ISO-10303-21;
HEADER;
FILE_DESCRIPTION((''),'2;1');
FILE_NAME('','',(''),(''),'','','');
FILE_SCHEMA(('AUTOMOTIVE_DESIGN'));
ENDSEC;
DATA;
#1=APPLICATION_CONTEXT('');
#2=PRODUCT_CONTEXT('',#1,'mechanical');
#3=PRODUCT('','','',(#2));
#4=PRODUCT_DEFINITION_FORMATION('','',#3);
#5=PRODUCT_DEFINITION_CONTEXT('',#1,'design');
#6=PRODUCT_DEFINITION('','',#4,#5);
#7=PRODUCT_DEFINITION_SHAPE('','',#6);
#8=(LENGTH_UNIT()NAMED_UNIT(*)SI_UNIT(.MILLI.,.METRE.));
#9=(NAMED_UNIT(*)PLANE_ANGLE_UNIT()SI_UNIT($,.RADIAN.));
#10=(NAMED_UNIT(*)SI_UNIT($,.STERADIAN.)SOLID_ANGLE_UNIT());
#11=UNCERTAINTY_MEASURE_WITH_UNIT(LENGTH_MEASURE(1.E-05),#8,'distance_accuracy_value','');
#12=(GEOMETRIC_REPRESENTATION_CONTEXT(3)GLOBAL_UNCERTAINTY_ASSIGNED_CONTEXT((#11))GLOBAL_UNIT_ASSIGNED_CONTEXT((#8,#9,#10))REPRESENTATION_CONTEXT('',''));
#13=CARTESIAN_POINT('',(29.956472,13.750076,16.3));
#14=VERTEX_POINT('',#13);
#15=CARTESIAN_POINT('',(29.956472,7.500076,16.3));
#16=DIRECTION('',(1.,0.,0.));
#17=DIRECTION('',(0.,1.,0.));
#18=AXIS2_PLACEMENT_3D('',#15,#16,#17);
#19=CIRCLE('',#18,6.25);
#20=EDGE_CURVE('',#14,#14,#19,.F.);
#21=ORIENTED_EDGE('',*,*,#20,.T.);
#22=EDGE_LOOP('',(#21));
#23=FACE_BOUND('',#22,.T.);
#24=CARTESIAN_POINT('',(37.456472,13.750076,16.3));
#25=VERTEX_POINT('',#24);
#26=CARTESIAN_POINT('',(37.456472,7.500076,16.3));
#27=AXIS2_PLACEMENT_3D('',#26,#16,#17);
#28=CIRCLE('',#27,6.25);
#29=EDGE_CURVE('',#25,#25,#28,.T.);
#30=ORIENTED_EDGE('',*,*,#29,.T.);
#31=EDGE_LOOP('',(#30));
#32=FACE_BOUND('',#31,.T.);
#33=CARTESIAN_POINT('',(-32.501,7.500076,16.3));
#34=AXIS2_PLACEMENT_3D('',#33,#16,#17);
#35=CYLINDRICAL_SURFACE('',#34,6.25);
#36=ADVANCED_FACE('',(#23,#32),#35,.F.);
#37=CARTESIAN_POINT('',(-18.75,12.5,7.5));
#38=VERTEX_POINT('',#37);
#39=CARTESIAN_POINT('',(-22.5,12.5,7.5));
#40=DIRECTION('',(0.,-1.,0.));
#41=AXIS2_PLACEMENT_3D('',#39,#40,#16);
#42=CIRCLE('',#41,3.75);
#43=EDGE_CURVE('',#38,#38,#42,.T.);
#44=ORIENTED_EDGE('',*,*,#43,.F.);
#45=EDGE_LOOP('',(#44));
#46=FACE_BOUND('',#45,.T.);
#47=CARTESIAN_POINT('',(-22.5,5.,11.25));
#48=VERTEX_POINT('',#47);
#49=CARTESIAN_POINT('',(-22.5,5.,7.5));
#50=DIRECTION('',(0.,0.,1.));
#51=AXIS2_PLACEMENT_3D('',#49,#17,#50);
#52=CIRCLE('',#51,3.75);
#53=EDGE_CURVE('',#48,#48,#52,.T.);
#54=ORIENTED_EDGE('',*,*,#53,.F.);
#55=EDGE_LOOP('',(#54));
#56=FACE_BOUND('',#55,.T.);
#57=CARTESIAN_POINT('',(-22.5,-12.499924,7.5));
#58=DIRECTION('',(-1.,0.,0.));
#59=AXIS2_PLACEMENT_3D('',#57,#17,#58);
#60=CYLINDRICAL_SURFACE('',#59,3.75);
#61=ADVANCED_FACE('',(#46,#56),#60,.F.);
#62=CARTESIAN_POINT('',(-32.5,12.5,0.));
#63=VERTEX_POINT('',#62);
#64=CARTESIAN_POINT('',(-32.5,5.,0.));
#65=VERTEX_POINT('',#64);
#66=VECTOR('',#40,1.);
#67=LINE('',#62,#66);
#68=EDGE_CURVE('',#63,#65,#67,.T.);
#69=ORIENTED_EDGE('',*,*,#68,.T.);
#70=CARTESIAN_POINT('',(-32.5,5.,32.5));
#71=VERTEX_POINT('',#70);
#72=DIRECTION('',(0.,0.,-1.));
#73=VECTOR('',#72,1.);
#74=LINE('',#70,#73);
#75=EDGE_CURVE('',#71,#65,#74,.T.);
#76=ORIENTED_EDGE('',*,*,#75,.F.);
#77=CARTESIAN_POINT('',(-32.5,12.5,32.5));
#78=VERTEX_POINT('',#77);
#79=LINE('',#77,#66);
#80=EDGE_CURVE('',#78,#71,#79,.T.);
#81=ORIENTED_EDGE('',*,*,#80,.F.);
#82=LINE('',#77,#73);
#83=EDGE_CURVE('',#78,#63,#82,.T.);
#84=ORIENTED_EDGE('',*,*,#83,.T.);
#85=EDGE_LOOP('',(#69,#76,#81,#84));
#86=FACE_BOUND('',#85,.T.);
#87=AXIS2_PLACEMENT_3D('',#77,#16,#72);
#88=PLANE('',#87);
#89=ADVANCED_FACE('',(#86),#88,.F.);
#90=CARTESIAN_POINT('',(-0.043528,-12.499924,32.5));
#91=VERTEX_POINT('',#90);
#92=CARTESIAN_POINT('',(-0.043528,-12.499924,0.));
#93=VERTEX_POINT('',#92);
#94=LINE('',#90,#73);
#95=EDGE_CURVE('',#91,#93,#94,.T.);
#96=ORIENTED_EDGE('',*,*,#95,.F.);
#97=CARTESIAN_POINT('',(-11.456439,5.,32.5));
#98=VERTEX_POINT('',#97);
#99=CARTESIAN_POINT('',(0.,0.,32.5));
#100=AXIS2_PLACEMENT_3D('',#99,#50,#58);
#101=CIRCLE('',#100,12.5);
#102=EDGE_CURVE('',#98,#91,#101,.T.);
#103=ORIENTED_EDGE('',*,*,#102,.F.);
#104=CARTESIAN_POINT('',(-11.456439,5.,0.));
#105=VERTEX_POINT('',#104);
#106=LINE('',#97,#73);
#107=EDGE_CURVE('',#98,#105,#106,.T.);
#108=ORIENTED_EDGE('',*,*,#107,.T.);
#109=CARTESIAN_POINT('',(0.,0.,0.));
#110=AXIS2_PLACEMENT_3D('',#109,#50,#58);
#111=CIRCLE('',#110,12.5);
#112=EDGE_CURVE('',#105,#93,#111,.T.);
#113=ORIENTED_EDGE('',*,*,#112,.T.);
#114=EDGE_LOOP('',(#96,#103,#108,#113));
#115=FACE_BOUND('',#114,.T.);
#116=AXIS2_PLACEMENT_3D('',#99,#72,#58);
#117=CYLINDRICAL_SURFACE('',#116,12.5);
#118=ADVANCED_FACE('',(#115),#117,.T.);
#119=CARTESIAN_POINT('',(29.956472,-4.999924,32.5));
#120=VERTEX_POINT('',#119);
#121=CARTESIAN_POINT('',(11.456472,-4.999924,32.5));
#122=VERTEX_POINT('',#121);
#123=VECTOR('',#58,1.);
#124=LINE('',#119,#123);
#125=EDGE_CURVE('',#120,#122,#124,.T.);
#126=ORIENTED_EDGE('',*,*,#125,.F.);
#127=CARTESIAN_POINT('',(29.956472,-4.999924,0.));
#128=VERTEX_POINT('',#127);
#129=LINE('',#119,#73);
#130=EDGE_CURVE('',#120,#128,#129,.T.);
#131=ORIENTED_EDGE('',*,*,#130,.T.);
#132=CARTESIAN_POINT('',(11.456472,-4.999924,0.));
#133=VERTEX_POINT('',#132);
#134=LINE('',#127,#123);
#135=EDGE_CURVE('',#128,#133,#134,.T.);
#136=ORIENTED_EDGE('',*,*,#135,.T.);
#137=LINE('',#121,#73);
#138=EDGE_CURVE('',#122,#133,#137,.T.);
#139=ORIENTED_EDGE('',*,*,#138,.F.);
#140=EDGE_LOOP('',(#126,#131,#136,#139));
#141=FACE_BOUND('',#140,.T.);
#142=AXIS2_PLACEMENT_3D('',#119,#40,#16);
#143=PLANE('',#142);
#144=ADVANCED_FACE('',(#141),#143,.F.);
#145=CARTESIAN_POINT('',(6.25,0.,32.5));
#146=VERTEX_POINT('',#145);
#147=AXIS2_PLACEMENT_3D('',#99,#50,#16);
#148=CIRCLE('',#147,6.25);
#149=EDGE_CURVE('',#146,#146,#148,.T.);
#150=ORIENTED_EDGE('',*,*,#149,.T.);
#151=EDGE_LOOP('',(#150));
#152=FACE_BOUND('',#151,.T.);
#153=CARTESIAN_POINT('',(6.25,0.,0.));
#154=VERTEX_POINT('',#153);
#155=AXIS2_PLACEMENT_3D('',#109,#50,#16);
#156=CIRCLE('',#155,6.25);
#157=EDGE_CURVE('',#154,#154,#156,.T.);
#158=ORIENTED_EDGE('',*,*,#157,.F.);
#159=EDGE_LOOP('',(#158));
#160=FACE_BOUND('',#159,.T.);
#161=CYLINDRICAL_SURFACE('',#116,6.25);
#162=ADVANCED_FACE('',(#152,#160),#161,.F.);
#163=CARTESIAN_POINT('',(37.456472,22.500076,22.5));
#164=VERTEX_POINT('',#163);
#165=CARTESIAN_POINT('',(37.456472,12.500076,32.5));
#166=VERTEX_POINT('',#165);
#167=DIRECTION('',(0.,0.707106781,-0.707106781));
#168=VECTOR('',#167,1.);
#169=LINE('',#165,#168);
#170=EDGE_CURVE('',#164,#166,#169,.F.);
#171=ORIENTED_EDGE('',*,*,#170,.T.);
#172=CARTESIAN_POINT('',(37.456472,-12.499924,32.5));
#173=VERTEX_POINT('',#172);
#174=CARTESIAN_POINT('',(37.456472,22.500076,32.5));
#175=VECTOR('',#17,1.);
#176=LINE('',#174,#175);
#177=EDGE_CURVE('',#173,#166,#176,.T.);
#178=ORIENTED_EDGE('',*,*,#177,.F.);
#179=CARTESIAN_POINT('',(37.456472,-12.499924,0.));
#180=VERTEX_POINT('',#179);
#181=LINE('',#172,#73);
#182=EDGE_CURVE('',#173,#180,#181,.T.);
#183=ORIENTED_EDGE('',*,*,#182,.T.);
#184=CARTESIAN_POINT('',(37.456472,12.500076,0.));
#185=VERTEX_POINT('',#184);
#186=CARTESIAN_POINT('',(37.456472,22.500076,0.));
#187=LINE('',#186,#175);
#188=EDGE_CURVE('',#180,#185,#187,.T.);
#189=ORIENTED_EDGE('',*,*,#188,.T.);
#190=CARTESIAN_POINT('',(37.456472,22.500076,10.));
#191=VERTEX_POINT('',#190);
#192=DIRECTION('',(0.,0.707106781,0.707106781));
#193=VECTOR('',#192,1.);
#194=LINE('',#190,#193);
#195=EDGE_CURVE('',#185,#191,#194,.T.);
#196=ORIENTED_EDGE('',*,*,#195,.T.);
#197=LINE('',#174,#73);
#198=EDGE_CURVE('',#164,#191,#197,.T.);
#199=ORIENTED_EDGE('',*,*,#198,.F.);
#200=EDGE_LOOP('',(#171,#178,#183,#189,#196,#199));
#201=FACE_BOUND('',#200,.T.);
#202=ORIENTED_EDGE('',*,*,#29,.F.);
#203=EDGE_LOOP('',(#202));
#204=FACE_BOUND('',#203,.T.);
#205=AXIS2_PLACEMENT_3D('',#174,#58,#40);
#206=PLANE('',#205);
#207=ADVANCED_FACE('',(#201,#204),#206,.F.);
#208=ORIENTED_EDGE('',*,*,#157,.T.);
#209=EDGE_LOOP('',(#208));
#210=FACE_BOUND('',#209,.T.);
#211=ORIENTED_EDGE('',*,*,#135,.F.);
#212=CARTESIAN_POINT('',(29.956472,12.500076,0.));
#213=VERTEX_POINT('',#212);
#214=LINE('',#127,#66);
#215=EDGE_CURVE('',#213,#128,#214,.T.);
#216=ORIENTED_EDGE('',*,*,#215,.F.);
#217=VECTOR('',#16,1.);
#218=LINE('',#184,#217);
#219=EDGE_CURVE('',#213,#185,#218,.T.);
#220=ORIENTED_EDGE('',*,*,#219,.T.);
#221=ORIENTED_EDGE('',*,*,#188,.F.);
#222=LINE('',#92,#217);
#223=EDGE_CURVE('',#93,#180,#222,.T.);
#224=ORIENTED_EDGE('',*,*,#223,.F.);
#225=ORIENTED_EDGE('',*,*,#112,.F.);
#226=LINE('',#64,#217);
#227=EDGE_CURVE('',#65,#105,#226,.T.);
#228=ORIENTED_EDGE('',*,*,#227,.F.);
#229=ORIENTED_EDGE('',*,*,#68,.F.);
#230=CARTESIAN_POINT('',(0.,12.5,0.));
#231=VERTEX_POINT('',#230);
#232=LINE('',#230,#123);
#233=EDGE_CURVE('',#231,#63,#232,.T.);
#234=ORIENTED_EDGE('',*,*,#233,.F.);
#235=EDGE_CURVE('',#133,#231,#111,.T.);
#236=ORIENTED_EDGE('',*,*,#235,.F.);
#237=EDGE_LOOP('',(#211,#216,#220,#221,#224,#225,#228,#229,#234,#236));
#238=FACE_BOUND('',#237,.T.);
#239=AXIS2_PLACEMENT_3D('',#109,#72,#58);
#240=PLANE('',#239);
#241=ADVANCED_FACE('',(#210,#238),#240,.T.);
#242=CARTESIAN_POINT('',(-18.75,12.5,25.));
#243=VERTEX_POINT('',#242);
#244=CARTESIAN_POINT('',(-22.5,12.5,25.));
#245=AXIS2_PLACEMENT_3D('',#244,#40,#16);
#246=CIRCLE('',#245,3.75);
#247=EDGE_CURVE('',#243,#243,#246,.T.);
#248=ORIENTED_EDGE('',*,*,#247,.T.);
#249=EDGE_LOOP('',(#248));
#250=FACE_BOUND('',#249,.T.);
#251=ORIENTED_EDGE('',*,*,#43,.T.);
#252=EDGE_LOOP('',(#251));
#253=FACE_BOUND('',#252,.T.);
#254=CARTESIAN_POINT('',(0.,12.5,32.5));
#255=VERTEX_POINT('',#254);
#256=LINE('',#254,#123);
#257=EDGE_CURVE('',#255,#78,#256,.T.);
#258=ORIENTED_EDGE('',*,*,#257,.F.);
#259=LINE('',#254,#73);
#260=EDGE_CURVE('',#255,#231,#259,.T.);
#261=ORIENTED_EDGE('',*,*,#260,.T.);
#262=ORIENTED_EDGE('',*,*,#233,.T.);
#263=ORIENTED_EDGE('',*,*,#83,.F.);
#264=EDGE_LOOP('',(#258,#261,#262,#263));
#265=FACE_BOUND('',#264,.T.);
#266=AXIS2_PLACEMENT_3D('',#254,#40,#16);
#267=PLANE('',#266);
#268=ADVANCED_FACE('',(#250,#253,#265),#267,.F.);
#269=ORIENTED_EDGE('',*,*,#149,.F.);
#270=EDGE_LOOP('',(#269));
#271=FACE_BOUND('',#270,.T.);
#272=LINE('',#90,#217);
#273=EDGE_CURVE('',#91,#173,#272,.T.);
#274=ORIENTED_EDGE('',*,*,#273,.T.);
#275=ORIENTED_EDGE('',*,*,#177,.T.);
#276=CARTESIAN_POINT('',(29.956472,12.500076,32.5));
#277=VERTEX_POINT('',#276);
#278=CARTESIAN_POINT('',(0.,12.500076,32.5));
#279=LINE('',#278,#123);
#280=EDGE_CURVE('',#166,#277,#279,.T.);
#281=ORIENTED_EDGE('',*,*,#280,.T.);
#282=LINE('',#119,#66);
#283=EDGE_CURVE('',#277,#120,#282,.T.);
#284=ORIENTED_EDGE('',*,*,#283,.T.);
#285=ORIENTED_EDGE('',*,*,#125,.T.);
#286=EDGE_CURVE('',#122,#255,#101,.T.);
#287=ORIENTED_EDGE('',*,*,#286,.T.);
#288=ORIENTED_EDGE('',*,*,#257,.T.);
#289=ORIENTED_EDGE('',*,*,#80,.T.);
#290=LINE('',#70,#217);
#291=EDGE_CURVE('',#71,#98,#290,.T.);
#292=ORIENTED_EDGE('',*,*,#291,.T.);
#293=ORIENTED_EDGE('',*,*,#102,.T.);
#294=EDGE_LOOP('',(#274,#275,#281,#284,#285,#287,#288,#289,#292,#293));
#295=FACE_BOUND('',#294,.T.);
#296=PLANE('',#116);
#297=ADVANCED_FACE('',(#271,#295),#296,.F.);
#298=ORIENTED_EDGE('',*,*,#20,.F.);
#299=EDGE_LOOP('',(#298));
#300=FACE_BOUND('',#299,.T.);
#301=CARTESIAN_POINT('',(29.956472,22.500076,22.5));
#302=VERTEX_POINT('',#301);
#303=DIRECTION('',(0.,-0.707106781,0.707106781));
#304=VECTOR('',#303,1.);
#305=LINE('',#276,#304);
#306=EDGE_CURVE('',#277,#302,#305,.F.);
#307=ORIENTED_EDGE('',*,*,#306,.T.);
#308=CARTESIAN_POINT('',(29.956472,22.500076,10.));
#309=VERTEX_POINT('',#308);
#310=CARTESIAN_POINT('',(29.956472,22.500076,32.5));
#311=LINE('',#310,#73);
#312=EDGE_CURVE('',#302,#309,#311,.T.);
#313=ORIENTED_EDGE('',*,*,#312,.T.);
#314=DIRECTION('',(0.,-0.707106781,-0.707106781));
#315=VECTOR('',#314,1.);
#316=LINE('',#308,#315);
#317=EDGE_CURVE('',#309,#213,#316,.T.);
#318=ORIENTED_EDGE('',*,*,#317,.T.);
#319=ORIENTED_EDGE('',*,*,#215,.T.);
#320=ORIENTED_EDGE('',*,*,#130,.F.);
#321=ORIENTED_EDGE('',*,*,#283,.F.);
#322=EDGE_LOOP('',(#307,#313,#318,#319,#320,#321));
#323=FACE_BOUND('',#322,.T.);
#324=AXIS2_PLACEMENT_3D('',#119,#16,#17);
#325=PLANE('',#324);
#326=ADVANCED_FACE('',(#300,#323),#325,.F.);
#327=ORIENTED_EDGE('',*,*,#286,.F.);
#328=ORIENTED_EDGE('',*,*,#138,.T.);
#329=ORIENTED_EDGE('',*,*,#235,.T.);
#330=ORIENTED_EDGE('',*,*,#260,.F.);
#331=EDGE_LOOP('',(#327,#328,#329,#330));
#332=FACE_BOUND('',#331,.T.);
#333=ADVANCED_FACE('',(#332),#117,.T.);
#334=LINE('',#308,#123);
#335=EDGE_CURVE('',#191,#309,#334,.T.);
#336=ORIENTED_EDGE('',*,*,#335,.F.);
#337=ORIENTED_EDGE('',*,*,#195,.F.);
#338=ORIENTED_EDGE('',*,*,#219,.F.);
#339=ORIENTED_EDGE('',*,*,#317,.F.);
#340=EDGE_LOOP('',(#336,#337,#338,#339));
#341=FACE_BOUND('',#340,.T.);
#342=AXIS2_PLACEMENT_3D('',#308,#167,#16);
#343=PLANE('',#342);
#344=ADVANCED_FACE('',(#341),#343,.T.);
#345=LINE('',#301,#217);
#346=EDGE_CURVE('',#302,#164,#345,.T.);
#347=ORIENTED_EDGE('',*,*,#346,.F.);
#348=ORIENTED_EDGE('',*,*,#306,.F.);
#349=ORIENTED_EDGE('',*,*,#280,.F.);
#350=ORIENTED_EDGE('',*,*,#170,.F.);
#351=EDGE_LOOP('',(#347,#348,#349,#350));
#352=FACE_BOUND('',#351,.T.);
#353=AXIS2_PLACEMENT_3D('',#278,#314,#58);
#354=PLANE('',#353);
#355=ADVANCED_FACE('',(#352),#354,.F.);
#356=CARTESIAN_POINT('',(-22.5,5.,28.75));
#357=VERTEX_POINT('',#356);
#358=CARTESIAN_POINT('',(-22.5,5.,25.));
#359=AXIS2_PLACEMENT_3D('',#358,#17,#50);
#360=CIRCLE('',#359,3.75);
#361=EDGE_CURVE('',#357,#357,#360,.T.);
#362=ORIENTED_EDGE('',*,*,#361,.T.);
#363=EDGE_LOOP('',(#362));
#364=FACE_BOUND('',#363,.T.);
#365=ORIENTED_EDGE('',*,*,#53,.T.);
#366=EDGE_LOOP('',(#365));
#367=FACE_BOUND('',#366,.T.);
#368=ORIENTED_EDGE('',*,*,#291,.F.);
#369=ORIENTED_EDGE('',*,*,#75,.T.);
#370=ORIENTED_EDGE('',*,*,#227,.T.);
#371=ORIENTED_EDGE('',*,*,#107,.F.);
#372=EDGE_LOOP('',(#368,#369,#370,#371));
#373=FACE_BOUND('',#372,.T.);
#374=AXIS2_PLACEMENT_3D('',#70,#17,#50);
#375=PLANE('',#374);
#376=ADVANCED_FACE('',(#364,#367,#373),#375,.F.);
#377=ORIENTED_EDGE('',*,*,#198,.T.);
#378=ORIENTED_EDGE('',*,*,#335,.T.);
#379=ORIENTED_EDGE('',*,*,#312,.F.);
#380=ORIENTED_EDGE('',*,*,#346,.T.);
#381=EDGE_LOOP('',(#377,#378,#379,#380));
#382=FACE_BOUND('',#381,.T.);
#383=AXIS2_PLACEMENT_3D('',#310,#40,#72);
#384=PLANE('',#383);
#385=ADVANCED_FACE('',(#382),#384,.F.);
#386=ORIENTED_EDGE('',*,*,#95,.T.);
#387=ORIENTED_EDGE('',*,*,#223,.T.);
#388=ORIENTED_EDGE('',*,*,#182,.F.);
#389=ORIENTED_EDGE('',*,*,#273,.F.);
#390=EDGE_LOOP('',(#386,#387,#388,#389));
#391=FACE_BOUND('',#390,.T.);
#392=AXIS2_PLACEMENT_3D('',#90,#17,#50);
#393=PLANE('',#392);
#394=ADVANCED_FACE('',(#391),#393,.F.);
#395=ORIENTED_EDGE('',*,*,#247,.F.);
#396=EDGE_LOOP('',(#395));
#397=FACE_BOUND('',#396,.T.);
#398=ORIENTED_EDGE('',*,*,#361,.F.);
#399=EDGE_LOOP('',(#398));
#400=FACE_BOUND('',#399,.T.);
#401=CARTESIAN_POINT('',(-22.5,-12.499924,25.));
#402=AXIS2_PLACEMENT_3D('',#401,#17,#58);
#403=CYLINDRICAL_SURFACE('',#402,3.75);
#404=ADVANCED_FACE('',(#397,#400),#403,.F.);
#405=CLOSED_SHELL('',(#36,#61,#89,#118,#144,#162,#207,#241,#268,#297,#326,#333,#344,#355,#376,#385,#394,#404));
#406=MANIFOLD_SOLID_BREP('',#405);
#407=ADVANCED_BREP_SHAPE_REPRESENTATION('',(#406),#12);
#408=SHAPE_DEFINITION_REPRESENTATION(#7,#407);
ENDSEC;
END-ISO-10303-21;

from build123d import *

# Parameters (mm, degrees)
SKETCH1_R               = 6.25
BOSS_EXTRUDE1_DEPTH     = 32.5
SKETCH2_R               = 3.75
CUT_EXTRUDE1_DEPTH      = 11.000075787
CUT_EXTRUDE1_DEPTH_BACK = 25.999924213
CUT_EXTRUDE2_REACH      = 71.956
SKETCH3_R               = 6.25
CHAMFER1_SIZE           = 10


with BuildPart() as part:
    # Sketch1 → Boss-Extrude1 (new body)
    with BuildSketch(Plane.XY):
        with BuildLine():
            Line((0, 12.5), (-32.5, 12.5))
            Line((-32.5, 12.5), (-32.5, 5))
            Line((-32.5, 5), (-11.456439237, 5))
            ThreePointArc((-11.456439237, 5), (-10.470155046, -6.828312626), (-0.043527687, -12.499924213))
            Line((-0.043527687, -12.499924213), (37.456472313, -12.499924213))
            Line((37.456472313, -12.499924213), (37.456472313, 22.500075787))
            Line((37.456472313, 22.500075787), (29.956472313, 22.500075787))
            Line((29.956472313, 22.500075787), (29.956472313, -4.999924213))
            Line((29.956472313, -4.999924213), (11.456472313, -4.999924213))
            ThreePointArc((11.456472313, -4.999924213), (10.458227686, 6.84656656), (0, 12.5))
        make_face()
        Circle(SKETCH1_R, mode=Mode.SUBTRACT)
    extrude(amount=BOSS_EXTRUDE1_DEPTH)

    # Sketch2 → Cut-Extrude1 (cut, two sides)
    with BuildSketch(Plane(origin=(0, 12.5, 0), x_dir=(1, 0, 0), z_dir=(0, 1, 0))) as cut_extrude1_sk:
        with Locations((-22.5, -7.5)):
            Circle(SKETCH2_R)
        with Locations((-22.5, -25)):
            Circle(SKETCH2_R)
    extrude(amount=CUT_EXTRUDE1_DEPTH, mode=Mode.SUBTRACT)
    extrude(cut_extrude1_sk.sketch, amount=-CUT_EXTRUDE1_DEPTH_BACK, mode=Mode.SUBTRACT)

    # Sketch3 → Cut-Extrude2 (cut, up to next)
    with BuildSketch(Plane(origin=(37.456472313, 0, 0), x_dir=(0, 0, -1), z_dir=(1, 0, 0)), mode=Mode.PRIVATE) as cut_extrude2_sk1:
        with Locations((-16.3, 7.500075787)):
            Circle(SKETCH3_R)
    cut_extrude2_tool1 = extrude(cut_extrude2_sk1.sketch, amount=-CUT_EXTRUDE2_REACH, mode=Mode.PRIVATE) & part.part
    add(cut_extrude2_tool1.solids().sort_by_distance((37.456472, 7.500076, 16.3))[0], mode=Mode.SUBTRACT)

    # Chamfer1
    chamfer1_edges = [part.edges().sort_by_distance(p)[0] for p in [
        (33.706472313, 22.500075787, 0),
        (33.706472313, 22.500075787, 32.5),
    ]]
    chamfer(chamfer1_edges, length=CHAMFER1_SIZE)


solid = part.part
